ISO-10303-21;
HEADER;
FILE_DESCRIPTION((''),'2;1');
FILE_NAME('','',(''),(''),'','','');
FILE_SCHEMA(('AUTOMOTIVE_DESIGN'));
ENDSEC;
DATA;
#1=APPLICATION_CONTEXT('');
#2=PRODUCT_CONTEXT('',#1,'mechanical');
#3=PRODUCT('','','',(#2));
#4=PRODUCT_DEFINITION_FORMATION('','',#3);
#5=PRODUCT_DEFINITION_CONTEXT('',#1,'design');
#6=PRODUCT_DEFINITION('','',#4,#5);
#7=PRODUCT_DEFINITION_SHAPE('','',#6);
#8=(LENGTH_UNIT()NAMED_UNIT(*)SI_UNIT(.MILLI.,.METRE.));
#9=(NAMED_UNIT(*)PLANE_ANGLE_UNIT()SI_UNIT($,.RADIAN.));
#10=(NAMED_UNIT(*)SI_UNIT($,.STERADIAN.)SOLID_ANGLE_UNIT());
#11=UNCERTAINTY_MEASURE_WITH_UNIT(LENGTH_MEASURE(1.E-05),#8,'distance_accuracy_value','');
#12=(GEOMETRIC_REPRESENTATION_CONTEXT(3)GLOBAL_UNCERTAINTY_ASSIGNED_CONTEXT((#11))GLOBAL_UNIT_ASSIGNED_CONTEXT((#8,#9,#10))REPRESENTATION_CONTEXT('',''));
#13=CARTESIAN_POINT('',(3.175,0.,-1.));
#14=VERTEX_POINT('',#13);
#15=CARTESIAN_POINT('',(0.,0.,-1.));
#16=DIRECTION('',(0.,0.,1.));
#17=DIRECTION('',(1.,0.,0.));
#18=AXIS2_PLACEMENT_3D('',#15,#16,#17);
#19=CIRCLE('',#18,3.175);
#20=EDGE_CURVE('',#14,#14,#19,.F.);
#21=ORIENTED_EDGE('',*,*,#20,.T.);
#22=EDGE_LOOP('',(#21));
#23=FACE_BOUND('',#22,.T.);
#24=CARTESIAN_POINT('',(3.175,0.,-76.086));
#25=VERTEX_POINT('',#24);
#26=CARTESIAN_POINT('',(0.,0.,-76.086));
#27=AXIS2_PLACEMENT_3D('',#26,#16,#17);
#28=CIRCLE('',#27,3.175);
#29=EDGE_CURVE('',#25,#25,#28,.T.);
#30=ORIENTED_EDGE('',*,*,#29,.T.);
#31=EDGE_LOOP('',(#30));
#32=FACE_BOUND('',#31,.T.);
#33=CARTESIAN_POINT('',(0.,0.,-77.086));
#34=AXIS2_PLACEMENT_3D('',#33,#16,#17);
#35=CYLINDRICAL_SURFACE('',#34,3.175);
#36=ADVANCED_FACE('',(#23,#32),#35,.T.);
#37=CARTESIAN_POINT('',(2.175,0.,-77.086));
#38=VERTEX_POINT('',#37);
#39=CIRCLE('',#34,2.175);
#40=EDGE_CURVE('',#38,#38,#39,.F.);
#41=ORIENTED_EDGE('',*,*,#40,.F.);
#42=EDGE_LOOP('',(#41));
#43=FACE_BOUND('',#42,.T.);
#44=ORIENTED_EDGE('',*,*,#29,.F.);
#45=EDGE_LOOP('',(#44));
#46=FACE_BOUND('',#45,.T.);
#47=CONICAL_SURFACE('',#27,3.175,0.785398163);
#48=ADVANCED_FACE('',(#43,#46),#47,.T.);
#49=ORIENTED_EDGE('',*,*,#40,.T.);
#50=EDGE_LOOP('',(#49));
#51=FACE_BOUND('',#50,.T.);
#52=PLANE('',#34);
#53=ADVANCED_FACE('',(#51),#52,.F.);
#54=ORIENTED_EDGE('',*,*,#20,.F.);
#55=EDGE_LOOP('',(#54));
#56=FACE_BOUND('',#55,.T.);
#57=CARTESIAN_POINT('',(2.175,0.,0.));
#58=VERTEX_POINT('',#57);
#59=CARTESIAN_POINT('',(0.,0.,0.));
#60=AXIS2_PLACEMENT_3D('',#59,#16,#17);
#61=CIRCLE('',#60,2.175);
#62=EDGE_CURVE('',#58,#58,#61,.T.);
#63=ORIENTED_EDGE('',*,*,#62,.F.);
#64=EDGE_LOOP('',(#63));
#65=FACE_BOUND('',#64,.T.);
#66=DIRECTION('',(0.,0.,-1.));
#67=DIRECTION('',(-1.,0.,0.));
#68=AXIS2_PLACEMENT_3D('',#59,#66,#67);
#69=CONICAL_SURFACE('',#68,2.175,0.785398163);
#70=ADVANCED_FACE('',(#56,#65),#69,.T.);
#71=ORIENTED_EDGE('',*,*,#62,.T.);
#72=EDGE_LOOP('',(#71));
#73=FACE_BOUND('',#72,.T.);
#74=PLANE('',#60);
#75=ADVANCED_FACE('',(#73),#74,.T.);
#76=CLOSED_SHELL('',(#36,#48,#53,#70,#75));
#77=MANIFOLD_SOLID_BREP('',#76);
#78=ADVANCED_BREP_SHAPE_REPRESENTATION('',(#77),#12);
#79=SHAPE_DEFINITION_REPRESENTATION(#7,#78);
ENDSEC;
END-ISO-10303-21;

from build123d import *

# Parameters (mm, degrees)
SKETCH1_R           = 3.175
BOSS_EXTRUDE1_DEPTH = 77.086000006
CHAMFER1_SIZE       = 1


with BuildPart() as part:
    # Sketch1 → Boss-Extrude1 (new body)
    with BuildSketch(Plane.XY):
        Circle(SKETCH1_R)
    extrude(amount=-BOSS_EXTRUDE1_DEPTH)

    # Chamfer1
    chamfer1_edges = [part.edges().sort_by_distance(p)[0] for p in [
        (-3.175, 0, 0),
        (-3.175, 0, -77.086000006),
    ]]
    chamfer(chamfer1_edges, length=CHAMFER1_SIZE)


solid = part.part
